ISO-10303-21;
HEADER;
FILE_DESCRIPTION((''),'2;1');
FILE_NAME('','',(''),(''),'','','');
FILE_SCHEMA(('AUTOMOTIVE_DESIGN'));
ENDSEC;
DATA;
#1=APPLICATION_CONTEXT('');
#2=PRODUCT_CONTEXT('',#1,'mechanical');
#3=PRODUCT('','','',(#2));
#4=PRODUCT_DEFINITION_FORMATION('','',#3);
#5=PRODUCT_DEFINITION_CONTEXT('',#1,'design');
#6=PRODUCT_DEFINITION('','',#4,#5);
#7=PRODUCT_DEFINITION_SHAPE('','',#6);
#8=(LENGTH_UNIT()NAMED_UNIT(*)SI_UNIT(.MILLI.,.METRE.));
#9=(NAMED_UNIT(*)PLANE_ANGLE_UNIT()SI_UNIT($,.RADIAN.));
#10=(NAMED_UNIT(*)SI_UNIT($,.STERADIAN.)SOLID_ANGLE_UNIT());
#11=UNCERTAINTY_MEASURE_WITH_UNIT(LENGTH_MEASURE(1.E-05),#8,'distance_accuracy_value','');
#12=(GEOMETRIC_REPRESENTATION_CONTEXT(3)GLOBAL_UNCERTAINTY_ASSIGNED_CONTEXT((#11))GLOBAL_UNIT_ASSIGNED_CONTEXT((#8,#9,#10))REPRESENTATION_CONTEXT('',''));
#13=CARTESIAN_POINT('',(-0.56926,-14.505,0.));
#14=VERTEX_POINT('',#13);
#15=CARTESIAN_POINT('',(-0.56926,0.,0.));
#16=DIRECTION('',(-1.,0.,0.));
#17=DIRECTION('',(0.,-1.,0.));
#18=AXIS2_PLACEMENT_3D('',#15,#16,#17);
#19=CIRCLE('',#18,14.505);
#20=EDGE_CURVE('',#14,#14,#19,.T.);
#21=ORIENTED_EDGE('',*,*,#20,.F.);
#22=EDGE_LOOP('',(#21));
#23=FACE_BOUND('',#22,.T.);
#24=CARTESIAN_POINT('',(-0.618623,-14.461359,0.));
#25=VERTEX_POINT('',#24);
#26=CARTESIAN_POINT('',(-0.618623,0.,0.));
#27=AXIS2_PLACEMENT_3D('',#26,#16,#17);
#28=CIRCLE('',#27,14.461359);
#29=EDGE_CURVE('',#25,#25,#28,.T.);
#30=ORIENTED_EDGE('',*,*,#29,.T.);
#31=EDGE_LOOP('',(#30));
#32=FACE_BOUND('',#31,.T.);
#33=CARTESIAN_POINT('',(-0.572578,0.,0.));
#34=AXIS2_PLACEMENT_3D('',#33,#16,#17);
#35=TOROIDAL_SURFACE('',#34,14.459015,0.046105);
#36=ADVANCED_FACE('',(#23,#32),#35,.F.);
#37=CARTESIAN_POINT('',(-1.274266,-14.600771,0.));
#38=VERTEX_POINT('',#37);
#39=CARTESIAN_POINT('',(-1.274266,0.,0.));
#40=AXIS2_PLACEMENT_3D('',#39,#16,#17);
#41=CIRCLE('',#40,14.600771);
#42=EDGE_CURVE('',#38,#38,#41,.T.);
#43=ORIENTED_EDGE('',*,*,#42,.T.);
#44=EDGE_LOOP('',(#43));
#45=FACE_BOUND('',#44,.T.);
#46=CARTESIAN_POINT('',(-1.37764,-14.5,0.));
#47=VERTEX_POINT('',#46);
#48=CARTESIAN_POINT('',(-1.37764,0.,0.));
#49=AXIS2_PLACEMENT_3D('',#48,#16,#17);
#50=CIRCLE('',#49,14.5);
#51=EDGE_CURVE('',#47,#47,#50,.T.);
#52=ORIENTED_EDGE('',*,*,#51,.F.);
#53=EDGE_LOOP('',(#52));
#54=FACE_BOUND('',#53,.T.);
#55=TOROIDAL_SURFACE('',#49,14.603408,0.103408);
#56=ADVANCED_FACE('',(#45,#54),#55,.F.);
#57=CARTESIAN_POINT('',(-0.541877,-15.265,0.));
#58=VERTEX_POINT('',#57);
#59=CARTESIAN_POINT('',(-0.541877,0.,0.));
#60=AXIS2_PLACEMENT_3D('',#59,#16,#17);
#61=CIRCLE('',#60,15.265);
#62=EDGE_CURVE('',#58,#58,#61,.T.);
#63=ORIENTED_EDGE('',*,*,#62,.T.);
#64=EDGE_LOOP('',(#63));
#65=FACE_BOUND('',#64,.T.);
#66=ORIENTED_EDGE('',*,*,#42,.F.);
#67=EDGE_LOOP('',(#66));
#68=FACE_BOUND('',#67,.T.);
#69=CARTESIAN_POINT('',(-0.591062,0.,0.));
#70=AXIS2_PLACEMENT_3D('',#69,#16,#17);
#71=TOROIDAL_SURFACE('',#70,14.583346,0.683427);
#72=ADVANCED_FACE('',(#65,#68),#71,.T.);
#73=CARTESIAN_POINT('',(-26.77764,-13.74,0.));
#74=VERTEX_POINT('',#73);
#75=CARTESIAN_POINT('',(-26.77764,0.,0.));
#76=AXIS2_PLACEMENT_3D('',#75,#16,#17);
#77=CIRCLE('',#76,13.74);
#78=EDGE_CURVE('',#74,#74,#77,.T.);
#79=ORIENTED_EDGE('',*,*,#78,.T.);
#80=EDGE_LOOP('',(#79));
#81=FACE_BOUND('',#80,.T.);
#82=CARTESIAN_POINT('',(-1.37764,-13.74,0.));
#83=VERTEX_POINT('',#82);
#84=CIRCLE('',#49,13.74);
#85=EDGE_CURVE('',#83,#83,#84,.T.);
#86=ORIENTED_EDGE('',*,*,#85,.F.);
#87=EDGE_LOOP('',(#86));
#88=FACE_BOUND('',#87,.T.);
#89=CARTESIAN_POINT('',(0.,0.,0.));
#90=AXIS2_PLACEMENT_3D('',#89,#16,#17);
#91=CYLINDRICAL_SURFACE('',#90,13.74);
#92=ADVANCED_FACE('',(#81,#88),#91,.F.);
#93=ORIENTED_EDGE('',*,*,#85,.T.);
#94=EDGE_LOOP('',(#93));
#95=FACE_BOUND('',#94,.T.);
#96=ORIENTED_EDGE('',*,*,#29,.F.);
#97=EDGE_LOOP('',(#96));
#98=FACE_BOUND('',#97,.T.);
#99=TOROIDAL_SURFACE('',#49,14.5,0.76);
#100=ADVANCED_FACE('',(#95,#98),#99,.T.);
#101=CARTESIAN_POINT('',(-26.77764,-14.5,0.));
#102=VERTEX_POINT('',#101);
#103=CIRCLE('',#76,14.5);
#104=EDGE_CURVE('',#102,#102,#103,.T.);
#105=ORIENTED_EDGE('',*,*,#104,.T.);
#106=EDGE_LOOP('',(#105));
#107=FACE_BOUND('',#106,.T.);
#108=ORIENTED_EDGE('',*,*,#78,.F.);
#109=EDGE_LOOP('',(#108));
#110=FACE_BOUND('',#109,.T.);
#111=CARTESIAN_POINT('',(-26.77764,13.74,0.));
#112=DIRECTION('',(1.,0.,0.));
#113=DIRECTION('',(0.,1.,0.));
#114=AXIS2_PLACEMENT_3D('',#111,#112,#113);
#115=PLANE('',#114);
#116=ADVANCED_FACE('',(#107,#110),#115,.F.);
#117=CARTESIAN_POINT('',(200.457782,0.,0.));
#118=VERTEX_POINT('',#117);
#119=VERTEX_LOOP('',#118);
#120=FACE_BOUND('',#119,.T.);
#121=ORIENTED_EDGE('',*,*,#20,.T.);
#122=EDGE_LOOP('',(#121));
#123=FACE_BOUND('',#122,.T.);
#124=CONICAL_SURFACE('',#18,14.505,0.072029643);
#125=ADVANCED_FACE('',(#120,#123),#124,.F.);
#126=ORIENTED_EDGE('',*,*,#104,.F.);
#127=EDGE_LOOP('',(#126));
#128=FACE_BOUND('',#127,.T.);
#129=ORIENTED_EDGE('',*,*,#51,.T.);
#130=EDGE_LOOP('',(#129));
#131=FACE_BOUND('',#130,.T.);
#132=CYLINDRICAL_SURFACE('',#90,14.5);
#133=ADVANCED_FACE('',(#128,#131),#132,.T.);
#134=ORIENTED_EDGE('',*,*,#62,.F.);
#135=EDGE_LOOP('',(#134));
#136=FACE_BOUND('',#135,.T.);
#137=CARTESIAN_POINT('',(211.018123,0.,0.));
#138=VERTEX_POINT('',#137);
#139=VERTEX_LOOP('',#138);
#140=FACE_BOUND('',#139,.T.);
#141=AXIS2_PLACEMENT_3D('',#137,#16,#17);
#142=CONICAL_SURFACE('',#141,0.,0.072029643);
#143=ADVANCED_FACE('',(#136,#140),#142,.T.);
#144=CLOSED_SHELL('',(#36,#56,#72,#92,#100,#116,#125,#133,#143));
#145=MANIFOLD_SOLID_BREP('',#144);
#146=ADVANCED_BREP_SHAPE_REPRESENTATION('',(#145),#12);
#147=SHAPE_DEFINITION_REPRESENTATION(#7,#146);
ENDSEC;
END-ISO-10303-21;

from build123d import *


with BuildPart() as part:
    # Sketch1 → Revolve1 (revolve)
    with BuildSketch(Plane.XY):
        with BuildLine():
            Line((-26.777640385, 14.5), (-1.377640385, 14.5))
            ThreePointArc((-1.377640385, 14.5), (-1.305458082, 14.529361179), (-1.274265968, 14.600771373))
            ThreePointArc((-1.274265968, 14.600771373), (-1.050186045, 15.089583285), (-0.541877208, 15.265))
            Line((-0.541877208, 15.265), (211.018122792, 0))
            Line((211.018122792, 0), (200.457781941, 0))
            Line((200.457781941, 0), (-0.569260312, 14.505))
            ThreePointArc((-0.569260312, 14.505), (-0.603115726, 14.493556272), (-0.618623339, 14.461359037))
            ThreePointArc((-0.618623339, 14.461359037), (-0.854079086, 13.949106575), (-1.377640385, 13.74))
            Line((-1.377640385, 13.74), (-26.777640385, 13.74))
            Line((-26.777640385, 13.74), (-26.777640385, 14.5))
        make_face()
    revolve(axis=Axis((0, 0, 0), (1, 0, 0)))


solid = part.part
